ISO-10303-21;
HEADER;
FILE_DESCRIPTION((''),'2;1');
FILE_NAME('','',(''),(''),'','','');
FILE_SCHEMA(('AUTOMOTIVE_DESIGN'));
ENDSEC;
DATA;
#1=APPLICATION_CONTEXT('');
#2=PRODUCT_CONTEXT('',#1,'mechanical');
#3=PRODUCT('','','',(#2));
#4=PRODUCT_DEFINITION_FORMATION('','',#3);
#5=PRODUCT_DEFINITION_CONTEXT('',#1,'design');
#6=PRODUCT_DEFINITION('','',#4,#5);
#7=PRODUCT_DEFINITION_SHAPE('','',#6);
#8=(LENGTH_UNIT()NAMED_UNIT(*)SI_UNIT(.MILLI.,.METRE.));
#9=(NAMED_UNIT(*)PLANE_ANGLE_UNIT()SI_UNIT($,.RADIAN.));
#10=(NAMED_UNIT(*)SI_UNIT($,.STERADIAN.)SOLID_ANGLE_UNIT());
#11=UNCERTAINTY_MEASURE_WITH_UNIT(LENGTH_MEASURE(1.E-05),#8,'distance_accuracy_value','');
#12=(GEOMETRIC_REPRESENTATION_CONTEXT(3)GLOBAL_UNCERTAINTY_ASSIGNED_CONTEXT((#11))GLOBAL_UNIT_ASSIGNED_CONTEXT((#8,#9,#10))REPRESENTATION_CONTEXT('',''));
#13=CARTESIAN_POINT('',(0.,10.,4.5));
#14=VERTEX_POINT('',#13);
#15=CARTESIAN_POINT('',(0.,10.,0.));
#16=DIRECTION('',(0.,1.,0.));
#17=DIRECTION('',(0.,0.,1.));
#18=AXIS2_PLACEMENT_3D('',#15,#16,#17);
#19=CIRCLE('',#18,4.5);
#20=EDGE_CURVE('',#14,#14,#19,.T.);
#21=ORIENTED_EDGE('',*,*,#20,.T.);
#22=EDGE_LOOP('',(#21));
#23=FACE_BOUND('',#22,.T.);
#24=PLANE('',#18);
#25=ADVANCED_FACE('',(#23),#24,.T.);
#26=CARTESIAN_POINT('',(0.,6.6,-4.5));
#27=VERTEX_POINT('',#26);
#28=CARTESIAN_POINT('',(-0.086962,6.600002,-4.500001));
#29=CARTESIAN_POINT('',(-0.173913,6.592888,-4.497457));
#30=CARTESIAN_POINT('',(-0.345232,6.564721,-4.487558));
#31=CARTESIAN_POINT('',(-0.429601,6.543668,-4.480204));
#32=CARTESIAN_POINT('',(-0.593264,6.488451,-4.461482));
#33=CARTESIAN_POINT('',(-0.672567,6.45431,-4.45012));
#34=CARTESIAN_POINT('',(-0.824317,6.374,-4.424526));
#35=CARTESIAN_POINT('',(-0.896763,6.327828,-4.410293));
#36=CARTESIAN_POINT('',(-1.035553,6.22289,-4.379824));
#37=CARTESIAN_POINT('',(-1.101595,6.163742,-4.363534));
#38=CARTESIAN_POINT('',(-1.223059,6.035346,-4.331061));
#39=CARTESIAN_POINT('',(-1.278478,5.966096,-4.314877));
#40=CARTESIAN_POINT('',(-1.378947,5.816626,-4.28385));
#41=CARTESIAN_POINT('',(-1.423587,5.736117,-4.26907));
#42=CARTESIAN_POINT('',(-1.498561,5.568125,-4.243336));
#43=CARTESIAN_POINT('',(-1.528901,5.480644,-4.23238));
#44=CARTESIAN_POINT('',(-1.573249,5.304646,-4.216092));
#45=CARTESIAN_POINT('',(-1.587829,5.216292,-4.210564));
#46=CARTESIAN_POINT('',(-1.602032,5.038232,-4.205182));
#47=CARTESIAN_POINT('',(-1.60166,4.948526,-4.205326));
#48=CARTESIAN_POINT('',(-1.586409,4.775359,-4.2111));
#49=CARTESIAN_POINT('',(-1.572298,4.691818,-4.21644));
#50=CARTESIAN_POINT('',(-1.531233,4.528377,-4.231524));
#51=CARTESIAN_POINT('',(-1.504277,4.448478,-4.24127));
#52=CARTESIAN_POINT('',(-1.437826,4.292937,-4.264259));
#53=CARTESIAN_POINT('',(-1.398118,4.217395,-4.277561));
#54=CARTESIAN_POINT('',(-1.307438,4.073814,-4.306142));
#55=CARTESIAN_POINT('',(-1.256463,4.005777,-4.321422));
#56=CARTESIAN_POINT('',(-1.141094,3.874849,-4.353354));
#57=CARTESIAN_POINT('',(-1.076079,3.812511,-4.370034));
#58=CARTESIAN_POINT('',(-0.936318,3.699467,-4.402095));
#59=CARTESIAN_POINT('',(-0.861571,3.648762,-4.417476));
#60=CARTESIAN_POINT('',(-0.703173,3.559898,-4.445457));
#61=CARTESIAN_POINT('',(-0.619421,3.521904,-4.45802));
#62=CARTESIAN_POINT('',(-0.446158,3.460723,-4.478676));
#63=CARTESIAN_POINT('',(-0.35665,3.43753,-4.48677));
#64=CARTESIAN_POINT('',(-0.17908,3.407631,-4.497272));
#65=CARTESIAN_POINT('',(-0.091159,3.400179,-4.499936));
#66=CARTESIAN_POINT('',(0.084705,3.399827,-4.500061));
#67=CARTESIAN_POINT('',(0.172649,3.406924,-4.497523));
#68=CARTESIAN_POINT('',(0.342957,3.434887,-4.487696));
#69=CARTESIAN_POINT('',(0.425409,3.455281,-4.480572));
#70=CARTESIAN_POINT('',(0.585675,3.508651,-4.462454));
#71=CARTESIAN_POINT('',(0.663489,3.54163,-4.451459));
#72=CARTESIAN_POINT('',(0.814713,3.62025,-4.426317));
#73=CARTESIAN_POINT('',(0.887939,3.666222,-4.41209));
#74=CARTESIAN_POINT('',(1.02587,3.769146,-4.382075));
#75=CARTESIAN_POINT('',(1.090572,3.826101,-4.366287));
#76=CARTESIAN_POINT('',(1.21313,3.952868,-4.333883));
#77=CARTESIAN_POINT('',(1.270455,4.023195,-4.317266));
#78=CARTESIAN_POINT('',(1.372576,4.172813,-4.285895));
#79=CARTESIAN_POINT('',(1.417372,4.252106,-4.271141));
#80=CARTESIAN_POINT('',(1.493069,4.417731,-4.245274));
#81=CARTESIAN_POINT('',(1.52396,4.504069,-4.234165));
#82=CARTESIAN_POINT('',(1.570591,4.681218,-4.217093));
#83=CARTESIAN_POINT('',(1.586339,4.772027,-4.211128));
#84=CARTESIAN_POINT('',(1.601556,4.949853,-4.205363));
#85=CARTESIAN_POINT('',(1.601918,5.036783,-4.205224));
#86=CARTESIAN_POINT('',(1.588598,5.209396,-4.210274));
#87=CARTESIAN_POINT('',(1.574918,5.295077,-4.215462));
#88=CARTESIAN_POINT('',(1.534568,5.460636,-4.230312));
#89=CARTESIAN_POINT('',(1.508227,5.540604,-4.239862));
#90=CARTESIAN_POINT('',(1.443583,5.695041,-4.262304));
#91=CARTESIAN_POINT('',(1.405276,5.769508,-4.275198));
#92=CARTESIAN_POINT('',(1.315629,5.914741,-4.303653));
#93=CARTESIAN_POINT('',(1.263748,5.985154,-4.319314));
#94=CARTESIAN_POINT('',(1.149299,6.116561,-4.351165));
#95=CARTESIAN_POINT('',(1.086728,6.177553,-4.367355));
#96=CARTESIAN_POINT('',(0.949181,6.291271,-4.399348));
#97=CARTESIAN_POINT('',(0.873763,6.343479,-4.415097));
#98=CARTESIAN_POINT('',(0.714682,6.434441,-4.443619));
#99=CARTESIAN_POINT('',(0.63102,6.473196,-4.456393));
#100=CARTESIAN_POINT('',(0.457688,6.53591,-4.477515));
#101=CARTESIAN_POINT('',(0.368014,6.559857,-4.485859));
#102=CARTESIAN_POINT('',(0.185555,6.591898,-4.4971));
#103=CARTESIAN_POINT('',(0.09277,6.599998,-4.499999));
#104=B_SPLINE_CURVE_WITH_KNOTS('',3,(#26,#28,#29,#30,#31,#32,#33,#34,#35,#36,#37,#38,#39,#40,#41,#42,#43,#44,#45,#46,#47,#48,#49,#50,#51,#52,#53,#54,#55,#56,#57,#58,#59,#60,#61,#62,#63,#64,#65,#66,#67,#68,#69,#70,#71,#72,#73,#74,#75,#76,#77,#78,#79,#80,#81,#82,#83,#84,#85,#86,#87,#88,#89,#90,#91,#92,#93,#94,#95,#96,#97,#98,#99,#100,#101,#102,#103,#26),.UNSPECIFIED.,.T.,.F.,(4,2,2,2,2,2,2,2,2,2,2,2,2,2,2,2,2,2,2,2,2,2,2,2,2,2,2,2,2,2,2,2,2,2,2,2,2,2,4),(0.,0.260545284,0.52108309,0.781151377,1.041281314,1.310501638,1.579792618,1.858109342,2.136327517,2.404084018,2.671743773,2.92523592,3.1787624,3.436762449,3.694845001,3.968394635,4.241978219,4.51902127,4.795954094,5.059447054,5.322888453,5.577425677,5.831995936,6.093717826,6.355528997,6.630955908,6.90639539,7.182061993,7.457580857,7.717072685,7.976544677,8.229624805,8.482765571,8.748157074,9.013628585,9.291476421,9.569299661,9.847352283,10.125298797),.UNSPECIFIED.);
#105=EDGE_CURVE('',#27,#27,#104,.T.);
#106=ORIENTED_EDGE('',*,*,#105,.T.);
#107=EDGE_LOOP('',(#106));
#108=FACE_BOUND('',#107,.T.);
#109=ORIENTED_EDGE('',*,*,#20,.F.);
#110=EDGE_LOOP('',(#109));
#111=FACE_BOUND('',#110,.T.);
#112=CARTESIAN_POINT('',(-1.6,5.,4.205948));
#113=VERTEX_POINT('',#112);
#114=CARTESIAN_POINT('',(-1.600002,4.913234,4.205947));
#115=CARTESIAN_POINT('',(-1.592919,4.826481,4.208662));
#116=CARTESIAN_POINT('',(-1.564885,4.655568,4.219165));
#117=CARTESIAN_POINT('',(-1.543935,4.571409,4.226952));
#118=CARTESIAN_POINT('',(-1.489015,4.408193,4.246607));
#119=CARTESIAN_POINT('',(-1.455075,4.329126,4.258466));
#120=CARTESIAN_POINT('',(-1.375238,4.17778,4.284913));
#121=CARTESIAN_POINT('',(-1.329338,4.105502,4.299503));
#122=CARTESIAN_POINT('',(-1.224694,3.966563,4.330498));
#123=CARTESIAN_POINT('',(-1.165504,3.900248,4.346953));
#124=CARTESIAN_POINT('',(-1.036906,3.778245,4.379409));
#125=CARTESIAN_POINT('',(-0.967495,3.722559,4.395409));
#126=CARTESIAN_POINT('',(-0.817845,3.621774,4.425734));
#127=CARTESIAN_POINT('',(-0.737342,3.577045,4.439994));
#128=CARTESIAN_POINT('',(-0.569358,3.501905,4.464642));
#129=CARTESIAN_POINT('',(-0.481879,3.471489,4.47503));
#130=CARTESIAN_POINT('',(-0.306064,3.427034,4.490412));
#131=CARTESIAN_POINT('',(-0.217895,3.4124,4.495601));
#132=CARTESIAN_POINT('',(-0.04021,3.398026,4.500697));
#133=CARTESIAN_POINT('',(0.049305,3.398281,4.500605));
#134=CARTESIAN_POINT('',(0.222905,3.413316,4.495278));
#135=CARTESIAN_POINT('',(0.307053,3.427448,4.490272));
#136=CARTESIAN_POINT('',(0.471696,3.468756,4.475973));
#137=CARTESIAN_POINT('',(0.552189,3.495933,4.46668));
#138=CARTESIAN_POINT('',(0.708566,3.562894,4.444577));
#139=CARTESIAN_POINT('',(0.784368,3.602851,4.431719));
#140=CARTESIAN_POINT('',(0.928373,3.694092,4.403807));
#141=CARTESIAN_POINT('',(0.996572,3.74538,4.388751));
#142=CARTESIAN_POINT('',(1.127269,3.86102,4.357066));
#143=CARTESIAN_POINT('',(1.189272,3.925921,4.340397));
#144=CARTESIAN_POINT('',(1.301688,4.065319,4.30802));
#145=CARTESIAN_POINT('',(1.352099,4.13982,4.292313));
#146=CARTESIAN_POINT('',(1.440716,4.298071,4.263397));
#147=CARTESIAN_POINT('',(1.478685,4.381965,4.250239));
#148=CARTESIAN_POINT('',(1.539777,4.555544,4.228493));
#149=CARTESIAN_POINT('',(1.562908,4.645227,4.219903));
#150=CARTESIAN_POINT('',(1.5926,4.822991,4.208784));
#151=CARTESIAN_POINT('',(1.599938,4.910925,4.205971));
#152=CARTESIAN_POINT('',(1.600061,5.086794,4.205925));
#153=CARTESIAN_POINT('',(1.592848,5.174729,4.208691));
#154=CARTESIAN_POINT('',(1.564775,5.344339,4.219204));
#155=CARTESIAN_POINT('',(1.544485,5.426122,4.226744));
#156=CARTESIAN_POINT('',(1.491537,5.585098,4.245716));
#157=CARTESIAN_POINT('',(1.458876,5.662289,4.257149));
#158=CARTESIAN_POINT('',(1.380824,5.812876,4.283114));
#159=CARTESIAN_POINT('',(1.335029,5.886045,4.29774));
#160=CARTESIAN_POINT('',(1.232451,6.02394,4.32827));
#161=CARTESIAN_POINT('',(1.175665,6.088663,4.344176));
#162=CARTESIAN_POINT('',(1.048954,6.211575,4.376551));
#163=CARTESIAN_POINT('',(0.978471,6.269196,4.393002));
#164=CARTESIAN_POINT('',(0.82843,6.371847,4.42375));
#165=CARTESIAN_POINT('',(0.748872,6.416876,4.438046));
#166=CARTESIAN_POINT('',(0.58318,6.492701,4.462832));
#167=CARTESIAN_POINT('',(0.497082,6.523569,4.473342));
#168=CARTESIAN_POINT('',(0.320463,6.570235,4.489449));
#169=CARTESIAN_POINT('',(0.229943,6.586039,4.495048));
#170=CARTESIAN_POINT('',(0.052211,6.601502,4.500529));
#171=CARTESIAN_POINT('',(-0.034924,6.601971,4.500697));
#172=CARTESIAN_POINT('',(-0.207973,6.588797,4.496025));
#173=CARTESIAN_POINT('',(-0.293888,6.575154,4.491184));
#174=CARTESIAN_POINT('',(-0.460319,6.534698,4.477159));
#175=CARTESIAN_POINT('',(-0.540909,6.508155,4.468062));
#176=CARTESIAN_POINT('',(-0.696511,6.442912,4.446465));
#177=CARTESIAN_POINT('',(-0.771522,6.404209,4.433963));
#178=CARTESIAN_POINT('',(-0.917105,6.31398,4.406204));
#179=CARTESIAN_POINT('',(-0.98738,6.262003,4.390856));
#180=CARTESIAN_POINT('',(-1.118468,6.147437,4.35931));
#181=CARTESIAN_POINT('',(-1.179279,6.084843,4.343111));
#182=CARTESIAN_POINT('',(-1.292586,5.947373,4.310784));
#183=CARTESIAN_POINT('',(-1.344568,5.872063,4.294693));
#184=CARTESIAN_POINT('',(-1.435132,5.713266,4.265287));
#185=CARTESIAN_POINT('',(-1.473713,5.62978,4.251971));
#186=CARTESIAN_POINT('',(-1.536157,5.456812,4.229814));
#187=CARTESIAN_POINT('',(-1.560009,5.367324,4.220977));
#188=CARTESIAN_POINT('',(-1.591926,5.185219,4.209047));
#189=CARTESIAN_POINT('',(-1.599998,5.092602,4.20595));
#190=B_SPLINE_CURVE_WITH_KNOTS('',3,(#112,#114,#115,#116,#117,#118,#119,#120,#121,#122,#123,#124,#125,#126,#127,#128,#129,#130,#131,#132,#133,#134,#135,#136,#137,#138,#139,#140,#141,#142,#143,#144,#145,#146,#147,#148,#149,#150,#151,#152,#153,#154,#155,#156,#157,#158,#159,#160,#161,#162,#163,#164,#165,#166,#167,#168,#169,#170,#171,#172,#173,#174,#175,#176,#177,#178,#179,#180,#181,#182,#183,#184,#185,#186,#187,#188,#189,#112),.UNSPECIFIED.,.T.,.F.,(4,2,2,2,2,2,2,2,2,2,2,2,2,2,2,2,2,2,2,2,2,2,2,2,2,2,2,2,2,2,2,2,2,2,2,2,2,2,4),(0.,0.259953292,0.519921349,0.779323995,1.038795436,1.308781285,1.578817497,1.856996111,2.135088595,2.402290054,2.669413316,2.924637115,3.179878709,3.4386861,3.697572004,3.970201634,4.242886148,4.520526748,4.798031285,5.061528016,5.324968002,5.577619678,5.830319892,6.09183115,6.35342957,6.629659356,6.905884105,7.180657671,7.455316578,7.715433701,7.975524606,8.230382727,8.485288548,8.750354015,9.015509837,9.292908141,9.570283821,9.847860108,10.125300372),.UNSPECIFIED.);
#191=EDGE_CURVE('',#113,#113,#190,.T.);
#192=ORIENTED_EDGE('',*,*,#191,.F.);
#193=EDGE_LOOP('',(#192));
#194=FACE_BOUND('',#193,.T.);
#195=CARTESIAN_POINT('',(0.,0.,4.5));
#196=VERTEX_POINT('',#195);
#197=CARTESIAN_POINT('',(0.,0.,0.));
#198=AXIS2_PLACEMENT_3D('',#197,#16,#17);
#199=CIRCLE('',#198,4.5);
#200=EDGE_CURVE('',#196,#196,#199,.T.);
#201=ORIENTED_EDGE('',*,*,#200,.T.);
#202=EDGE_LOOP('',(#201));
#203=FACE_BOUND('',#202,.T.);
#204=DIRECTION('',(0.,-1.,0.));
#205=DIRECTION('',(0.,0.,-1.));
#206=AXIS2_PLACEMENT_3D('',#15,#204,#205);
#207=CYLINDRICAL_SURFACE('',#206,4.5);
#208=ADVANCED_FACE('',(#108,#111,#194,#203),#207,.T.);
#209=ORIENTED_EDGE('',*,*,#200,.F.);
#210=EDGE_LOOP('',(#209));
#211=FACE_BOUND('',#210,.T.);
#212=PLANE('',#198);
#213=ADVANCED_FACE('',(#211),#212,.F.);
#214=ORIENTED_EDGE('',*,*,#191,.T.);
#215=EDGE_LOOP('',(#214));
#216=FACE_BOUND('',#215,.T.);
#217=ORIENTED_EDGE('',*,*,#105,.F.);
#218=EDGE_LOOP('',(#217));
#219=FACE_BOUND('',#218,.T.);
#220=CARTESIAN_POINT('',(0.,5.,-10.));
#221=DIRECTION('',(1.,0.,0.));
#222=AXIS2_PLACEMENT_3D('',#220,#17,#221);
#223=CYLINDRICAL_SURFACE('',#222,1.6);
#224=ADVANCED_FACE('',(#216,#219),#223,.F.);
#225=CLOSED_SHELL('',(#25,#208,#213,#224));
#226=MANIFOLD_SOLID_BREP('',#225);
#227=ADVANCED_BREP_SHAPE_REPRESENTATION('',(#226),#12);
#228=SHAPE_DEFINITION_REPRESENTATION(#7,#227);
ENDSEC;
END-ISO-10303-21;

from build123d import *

# Parameters (mm, degrees)
SKETCH3_R           = 4.5
BOSS_EXTRUDE1_DEPTH = 10
SKETCH4_R           = 1.6
CUT_EXTRUDE1_DEPTH  = 10
CUT_EXTRUDE2_START  = 49
SKETCH9_R           = 1.6
CUT_EXTRUDE2_DEPTH  = 49


with BuildPart() as part:
    # Sketch3 → Boss-Extrude1 (new body)
    with BuildSketch(Plane(origin=(0, 0, 0), x_dir=(1, 0, 0), z_dir=(0, 1, 0))):
        with Locations(Location((0, 0, 0), (0, 0, 270))):
            Circle(SKETCH3_R)
    extrude(amount=BOSS_EXTRUDE1_DEPTH)

    # Sketch4 → Cut-Extrude1 (cut)
    with BuildSketch(Plane.XY):
        with Locations((0, 5)):
            Circle(SKETCH4_R)
    extrude(amount=-CUT_EXTRUDE1_DEPTH, mode=Mode.SUBTRACT)

    # Sketch9 → Cut-Extrude2 (cut)
    with BuildSketch(Plane.XY.offset(CUT_EXTRUDE2_START)):
        with Locations(Location((0, 5, 0), (0, 0, 90))):
            Circle(SKETCH9_R)
    extrude(amount=-CUT_EXTRUDE2_DEPTH, mode=Mode.SUBTRACT)


solid = part.part
